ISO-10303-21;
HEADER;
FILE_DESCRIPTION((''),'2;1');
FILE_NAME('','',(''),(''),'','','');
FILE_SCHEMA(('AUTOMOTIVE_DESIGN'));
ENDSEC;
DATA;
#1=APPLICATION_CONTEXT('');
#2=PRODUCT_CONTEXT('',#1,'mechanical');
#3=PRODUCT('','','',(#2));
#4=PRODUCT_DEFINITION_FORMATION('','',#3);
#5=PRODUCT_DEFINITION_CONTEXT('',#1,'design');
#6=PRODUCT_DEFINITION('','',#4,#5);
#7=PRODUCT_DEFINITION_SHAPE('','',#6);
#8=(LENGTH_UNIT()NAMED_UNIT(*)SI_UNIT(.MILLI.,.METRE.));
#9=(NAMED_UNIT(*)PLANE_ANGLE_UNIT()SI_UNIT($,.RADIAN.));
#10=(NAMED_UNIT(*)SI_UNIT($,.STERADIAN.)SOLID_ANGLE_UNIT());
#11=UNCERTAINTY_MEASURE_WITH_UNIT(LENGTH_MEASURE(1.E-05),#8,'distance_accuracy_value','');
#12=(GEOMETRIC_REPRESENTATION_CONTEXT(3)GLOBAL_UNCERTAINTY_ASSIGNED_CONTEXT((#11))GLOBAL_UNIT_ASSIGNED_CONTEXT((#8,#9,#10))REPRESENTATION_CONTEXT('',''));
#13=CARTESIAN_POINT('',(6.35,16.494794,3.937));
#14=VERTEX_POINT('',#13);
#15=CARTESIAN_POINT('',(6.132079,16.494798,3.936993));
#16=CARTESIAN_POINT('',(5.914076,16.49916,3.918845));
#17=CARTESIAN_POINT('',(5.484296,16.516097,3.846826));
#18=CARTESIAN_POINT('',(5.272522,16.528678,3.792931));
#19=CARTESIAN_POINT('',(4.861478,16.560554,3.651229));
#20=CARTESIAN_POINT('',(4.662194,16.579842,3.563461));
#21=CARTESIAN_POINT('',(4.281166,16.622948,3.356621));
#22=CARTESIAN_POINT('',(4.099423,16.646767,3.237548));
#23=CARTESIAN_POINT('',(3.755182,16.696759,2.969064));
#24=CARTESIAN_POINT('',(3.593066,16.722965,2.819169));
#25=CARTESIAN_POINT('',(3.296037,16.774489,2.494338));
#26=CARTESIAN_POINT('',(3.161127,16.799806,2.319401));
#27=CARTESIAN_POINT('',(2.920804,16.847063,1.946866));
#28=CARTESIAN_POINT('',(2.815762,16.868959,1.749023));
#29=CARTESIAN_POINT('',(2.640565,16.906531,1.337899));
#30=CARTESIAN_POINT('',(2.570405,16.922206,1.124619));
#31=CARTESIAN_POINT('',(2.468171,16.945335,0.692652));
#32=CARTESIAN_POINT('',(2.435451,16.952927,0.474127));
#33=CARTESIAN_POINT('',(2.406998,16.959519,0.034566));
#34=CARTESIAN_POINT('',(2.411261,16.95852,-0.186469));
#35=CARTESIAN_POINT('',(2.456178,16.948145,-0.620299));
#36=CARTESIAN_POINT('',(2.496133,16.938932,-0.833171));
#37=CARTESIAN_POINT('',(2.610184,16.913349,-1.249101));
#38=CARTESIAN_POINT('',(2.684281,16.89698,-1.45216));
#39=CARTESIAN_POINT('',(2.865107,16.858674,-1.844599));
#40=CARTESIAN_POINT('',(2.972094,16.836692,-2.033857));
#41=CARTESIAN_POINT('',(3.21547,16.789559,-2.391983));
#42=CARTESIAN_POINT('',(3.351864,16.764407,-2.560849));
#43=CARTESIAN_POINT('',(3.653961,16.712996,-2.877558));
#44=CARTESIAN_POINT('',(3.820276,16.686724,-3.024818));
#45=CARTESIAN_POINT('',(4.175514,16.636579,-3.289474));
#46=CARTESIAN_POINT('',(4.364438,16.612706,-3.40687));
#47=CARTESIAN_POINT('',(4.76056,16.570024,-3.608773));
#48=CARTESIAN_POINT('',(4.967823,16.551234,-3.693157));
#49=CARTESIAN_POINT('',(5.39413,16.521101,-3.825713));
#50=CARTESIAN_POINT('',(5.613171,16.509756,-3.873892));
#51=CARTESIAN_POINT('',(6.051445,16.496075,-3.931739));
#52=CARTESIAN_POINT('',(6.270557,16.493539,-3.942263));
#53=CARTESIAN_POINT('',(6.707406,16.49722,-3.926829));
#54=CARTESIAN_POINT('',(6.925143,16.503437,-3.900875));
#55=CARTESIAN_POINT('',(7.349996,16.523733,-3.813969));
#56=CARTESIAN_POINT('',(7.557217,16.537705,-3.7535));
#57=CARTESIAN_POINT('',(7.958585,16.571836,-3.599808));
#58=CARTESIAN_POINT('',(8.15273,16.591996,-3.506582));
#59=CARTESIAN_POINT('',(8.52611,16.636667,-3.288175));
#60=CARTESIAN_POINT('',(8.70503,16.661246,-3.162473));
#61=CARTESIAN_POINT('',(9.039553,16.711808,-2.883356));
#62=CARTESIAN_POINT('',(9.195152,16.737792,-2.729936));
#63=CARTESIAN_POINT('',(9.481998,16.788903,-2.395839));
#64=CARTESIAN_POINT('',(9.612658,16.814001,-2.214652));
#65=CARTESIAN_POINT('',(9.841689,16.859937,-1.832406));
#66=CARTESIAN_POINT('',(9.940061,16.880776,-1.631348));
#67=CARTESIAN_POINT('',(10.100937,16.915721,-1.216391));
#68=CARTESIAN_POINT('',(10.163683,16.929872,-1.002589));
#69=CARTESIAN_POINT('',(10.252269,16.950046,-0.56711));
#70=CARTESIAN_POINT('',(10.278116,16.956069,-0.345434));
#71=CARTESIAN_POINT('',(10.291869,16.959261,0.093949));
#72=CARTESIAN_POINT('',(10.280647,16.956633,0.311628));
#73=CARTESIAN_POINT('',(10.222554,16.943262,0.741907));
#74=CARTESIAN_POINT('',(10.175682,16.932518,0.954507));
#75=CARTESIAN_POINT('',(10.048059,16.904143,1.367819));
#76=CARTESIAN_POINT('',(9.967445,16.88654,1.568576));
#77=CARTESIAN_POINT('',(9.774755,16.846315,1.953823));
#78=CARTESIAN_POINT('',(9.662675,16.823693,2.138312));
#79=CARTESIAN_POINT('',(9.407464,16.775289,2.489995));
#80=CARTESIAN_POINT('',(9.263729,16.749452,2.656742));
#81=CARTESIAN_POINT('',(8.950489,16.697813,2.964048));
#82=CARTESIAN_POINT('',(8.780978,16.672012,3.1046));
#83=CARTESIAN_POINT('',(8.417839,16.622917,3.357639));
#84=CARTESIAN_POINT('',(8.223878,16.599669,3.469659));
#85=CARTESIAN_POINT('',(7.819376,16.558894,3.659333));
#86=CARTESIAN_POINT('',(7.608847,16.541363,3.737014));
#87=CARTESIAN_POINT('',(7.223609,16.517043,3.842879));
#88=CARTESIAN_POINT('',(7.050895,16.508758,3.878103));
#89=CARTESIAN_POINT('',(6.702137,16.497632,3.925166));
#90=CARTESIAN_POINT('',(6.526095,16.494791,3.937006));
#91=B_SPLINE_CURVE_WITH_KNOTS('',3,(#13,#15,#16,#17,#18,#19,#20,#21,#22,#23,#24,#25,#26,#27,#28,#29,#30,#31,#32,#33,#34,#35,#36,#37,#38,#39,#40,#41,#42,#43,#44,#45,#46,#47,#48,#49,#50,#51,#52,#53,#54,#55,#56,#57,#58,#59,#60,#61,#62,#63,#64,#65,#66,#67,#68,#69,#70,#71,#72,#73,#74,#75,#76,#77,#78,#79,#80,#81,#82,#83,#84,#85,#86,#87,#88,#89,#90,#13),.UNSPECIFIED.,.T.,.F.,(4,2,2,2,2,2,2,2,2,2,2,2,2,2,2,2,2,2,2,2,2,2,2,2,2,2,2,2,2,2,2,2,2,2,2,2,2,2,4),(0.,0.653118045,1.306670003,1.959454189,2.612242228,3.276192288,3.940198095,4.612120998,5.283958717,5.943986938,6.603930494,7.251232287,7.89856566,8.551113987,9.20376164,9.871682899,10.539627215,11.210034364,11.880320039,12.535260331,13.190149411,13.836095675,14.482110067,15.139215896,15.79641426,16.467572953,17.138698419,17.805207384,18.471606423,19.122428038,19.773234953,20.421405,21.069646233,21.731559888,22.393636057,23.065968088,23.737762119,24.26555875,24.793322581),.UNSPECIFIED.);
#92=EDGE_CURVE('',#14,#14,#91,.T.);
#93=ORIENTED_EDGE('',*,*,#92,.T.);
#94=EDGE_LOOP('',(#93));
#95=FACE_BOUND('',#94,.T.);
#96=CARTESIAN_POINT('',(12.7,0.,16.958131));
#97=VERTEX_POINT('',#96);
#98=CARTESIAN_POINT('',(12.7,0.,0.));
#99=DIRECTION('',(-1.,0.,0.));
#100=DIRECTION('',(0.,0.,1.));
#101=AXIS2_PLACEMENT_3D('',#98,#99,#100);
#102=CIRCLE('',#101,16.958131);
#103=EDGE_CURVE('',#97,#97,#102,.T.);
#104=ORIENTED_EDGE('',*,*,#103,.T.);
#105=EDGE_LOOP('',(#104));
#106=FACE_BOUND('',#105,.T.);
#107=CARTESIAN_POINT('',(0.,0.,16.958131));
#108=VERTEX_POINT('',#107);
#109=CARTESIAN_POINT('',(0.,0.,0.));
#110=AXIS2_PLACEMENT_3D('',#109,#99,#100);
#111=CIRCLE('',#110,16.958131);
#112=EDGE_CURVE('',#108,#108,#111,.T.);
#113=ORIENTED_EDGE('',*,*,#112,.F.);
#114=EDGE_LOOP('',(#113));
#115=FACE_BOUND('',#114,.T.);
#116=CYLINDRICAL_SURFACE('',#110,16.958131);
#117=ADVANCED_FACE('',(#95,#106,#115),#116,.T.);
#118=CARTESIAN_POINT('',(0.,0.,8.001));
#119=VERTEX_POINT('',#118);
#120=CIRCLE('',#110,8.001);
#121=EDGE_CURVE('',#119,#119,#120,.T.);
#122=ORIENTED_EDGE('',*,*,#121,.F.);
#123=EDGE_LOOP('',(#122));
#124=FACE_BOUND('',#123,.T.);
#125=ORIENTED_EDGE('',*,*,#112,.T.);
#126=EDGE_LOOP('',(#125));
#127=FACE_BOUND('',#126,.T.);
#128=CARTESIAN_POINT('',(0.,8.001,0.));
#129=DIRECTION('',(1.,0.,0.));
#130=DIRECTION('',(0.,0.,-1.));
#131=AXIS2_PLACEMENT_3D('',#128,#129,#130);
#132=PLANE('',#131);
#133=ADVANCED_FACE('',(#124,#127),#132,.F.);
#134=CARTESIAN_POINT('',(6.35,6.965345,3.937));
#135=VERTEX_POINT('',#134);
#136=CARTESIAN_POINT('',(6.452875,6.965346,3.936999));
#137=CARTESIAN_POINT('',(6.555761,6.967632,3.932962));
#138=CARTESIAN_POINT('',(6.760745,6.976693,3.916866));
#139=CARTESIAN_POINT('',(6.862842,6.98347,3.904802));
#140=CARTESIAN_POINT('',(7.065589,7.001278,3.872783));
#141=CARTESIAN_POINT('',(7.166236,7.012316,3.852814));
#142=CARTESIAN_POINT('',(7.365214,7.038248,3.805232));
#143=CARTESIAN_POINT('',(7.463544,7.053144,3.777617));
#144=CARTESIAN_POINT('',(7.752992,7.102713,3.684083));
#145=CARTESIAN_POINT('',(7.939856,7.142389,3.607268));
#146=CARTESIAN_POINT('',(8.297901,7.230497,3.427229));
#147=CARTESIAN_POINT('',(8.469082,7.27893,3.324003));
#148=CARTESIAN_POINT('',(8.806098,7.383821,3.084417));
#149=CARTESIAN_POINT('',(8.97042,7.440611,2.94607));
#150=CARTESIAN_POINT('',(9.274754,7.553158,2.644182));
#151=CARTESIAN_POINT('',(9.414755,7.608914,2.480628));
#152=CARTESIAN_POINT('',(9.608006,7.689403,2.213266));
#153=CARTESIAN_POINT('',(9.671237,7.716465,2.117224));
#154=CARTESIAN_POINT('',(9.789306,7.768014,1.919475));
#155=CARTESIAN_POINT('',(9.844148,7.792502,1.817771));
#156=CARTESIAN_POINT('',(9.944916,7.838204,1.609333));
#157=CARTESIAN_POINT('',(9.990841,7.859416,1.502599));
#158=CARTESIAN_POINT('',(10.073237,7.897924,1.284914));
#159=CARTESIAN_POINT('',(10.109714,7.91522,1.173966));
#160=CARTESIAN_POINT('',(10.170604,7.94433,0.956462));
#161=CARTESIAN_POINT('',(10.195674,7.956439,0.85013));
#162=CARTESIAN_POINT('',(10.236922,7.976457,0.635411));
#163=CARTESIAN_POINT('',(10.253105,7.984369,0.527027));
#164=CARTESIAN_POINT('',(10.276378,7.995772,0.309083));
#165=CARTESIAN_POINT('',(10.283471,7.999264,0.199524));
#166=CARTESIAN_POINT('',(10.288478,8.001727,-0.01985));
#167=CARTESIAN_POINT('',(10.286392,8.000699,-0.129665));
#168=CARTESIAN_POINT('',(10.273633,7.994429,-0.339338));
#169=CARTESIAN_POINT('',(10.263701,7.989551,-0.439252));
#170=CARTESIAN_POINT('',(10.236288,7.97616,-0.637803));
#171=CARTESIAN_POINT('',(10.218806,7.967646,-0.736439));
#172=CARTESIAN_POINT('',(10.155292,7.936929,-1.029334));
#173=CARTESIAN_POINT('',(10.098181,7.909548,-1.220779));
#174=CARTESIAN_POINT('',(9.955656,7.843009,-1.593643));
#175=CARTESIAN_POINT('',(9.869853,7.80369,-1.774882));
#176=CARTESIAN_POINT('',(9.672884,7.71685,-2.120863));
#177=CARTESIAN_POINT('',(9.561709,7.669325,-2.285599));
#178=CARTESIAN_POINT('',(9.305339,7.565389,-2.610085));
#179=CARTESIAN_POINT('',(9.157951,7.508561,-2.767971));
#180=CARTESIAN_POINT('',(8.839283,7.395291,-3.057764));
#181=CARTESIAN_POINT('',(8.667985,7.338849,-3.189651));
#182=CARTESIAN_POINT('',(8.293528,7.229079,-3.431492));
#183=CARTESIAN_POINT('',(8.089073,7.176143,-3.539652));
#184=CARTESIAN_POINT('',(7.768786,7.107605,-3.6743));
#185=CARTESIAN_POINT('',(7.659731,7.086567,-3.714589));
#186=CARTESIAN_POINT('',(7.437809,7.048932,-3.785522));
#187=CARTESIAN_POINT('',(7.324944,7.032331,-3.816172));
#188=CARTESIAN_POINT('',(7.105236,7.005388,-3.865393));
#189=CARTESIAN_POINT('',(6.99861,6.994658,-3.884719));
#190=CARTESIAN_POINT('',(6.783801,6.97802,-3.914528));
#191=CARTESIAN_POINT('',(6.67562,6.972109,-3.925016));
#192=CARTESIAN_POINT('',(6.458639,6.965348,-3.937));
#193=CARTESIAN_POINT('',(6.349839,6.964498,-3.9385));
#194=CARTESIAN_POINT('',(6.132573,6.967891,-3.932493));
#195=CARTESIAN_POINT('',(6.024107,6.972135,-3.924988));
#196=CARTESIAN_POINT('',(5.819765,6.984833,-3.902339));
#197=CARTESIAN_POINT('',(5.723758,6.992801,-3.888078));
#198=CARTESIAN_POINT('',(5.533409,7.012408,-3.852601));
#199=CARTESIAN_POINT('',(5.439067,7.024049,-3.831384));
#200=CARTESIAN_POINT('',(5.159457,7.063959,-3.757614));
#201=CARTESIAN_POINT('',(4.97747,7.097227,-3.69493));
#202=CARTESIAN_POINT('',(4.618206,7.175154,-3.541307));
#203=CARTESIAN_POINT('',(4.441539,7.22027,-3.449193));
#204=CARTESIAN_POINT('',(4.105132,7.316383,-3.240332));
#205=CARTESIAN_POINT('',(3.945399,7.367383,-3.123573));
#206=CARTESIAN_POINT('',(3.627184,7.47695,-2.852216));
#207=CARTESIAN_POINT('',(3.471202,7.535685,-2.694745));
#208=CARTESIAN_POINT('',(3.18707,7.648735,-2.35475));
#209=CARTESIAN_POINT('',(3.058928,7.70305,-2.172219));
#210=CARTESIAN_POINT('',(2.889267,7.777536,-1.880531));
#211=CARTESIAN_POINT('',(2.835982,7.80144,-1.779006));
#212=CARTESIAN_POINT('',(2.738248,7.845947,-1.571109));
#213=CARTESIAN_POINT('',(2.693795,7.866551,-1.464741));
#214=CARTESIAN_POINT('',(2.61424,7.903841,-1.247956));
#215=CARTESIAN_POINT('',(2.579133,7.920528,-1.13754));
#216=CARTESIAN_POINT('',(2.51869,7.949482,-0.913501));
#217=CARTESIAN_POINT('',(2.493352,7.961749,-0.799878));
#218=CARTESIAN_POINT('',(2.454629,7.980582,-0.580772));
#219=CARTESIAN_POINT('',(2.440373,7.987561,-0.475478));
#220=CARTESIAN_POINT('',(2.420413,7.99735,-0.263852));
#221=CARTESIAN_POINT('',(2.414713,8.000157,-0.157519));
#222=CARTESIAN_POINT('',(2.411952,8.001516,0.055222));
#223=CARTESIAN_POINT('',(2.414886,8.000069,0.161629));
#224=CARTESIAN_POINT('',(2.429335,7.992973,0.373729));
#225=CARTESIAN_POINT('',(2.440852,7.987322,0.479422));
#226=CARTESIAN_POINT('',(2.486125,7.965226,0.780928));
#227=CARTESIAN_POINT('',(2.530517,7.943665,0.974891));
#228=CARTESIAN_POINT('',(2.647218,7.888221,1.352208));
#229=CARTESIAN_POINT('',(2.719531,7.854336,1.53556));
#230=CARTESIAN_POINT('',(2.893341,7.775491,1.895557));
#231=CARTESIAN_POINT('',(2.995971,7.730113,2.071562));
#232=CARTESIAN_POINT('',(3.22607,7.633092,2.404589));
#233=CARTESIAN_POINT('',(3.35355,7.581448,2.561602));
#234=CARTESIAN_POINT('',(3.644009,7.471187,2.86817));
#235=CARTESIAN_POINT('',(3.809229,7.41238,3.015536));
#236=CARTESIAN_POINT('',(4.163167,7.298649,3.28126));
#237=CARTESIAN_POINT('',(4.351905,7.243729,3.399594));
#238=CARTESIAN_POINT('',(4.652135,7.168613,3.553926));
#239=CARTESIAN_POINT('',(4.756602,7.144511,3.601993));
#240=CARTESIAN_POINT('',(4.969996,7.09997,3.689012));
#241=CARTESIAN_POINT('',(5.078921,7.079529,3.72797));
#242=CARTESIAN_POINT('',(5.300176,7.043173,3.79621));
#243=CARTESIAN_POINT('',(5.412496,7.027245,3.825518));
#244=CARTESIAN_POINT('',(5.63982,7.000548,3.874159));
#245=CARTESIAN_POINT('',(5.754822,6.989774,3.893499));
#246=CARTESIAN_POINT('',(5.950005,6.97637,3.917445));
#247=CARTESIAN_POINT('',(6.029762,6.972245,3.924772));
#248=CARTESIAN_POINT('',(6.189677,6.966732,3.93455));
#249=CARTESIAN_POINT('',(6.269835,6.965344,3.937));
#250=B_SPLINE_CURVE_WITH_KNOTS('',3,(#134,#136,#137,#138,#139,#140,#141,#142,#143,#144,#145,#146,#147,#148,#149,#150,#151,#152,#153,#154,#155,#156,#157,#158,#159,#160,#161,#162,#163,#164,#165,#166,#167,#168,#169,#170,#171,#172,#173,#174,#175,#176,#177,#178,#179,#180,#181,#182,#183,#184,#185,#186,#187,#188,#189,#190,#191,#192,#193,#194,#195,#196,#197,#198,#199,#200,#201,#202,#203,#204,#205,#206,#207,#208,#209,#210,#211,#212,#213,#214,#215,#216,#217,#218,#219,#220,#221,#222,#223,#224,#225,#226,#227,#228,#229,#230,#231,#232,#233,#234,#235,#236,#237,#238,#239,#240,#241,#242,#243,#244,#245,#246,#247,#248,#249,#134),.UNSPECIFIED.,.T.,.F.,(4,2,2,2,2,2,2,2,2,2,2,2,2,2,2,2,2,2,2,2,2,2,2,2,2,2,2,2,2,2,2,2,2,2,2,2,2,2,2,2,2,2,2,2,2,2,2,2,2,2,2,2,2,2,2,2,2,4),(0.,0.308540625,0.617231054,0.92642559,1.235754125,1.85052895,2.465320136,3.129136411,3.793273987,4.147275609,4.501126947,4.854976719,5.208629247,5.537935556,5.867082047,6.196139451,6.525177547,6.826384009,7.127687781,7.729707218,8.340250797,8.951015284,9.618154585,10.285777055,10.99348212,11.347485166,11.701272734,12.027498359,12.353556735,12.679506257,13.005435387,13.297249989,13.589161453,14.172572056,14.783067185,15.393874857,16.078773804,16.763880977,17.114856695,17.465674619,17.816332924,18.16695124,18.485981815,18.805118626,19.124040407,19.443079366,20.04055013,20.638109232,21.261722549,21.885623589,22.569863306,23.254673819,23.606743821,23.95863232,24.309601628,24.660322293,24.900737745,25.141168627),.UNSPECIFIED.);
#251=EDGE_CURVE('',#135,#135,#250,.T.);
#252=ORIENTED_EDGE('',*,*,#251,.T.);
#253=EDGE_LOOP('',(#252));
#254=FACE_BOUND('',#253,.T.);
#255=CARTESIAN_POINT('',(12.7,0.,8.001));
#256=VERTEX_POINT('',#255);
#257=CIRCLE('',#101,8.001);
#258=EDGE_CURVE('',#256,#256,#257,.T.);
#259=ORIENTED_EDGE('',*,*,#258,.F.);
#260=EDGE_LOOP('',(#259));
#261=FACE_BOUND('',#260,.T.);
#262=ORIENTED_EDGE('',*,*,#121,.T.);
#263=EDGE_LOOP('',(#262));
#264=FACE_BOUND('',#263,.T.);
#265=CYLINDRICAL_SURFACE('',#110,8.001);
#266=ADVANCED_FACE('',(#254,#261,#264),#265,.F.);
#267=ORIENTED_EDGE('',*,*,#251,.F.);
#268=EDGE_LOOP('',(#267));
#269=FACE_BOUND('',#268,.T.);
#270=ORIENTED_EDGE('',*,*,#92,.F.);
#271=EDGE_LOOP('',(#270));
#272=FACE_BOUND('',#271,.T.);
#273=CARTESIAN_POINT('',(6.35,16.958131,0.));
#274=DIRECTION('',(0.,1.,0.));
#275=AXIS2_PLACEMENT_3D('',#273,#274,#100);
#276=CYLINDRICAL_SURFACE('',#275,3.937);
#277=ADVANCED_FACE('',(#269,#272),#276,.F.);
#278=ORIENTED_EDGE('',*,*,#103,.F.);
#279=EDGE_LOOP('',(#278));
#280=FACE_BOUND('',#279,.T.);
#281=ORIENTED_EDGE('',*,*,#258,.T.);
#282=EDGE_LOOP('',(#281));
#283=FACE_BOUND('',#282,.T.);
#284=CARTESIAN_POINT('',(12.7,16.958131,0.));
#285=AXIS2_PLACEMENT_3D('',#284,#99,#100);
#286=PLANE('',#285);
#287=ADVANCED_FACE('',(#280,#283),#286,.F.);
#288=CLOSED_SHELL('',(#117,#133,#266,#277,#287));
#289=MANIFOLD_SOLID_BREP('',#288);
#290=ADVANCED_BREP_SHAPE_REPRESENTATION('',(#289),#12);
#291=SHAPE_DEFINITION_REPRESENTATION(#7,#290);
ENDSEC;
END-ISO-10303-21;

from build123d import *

# Parameters (mm, degrees)
SKETCH1_W   = 12.7
SKETCH1_H   = 8.957130771
HOLE2_D     = 7.874
HOLE2_DEPTH = 17.78


with BuildPart() as part:
    # Sketch1 → Revolve1 (revolve)
    with BuildSketch(Plane.XY, mode=Mode.PRIVATE) as revolve1_sk:
        with Locations((6.35, 12.479565386)):
            Rectangle(SKETCH1_W, SKETCH1_H)
    revolve(revolve1_sk.sketch.rotate(Axis((0, 0, 0), (1, 0, 0)), 90), axis=Axis((0, 0, 0), (1, 0, 0)))

    # Hole2
    with Locations(Plane(origin=(6.35, 16.958130771, 0), x_dir=(0, 0, 1), z_dir=(0, 1, 0))):
        with Locations((0, 0)):
            Hole(HOLE2_D / 2, depth=HOLE2_DEPTH)


solid = part.part
